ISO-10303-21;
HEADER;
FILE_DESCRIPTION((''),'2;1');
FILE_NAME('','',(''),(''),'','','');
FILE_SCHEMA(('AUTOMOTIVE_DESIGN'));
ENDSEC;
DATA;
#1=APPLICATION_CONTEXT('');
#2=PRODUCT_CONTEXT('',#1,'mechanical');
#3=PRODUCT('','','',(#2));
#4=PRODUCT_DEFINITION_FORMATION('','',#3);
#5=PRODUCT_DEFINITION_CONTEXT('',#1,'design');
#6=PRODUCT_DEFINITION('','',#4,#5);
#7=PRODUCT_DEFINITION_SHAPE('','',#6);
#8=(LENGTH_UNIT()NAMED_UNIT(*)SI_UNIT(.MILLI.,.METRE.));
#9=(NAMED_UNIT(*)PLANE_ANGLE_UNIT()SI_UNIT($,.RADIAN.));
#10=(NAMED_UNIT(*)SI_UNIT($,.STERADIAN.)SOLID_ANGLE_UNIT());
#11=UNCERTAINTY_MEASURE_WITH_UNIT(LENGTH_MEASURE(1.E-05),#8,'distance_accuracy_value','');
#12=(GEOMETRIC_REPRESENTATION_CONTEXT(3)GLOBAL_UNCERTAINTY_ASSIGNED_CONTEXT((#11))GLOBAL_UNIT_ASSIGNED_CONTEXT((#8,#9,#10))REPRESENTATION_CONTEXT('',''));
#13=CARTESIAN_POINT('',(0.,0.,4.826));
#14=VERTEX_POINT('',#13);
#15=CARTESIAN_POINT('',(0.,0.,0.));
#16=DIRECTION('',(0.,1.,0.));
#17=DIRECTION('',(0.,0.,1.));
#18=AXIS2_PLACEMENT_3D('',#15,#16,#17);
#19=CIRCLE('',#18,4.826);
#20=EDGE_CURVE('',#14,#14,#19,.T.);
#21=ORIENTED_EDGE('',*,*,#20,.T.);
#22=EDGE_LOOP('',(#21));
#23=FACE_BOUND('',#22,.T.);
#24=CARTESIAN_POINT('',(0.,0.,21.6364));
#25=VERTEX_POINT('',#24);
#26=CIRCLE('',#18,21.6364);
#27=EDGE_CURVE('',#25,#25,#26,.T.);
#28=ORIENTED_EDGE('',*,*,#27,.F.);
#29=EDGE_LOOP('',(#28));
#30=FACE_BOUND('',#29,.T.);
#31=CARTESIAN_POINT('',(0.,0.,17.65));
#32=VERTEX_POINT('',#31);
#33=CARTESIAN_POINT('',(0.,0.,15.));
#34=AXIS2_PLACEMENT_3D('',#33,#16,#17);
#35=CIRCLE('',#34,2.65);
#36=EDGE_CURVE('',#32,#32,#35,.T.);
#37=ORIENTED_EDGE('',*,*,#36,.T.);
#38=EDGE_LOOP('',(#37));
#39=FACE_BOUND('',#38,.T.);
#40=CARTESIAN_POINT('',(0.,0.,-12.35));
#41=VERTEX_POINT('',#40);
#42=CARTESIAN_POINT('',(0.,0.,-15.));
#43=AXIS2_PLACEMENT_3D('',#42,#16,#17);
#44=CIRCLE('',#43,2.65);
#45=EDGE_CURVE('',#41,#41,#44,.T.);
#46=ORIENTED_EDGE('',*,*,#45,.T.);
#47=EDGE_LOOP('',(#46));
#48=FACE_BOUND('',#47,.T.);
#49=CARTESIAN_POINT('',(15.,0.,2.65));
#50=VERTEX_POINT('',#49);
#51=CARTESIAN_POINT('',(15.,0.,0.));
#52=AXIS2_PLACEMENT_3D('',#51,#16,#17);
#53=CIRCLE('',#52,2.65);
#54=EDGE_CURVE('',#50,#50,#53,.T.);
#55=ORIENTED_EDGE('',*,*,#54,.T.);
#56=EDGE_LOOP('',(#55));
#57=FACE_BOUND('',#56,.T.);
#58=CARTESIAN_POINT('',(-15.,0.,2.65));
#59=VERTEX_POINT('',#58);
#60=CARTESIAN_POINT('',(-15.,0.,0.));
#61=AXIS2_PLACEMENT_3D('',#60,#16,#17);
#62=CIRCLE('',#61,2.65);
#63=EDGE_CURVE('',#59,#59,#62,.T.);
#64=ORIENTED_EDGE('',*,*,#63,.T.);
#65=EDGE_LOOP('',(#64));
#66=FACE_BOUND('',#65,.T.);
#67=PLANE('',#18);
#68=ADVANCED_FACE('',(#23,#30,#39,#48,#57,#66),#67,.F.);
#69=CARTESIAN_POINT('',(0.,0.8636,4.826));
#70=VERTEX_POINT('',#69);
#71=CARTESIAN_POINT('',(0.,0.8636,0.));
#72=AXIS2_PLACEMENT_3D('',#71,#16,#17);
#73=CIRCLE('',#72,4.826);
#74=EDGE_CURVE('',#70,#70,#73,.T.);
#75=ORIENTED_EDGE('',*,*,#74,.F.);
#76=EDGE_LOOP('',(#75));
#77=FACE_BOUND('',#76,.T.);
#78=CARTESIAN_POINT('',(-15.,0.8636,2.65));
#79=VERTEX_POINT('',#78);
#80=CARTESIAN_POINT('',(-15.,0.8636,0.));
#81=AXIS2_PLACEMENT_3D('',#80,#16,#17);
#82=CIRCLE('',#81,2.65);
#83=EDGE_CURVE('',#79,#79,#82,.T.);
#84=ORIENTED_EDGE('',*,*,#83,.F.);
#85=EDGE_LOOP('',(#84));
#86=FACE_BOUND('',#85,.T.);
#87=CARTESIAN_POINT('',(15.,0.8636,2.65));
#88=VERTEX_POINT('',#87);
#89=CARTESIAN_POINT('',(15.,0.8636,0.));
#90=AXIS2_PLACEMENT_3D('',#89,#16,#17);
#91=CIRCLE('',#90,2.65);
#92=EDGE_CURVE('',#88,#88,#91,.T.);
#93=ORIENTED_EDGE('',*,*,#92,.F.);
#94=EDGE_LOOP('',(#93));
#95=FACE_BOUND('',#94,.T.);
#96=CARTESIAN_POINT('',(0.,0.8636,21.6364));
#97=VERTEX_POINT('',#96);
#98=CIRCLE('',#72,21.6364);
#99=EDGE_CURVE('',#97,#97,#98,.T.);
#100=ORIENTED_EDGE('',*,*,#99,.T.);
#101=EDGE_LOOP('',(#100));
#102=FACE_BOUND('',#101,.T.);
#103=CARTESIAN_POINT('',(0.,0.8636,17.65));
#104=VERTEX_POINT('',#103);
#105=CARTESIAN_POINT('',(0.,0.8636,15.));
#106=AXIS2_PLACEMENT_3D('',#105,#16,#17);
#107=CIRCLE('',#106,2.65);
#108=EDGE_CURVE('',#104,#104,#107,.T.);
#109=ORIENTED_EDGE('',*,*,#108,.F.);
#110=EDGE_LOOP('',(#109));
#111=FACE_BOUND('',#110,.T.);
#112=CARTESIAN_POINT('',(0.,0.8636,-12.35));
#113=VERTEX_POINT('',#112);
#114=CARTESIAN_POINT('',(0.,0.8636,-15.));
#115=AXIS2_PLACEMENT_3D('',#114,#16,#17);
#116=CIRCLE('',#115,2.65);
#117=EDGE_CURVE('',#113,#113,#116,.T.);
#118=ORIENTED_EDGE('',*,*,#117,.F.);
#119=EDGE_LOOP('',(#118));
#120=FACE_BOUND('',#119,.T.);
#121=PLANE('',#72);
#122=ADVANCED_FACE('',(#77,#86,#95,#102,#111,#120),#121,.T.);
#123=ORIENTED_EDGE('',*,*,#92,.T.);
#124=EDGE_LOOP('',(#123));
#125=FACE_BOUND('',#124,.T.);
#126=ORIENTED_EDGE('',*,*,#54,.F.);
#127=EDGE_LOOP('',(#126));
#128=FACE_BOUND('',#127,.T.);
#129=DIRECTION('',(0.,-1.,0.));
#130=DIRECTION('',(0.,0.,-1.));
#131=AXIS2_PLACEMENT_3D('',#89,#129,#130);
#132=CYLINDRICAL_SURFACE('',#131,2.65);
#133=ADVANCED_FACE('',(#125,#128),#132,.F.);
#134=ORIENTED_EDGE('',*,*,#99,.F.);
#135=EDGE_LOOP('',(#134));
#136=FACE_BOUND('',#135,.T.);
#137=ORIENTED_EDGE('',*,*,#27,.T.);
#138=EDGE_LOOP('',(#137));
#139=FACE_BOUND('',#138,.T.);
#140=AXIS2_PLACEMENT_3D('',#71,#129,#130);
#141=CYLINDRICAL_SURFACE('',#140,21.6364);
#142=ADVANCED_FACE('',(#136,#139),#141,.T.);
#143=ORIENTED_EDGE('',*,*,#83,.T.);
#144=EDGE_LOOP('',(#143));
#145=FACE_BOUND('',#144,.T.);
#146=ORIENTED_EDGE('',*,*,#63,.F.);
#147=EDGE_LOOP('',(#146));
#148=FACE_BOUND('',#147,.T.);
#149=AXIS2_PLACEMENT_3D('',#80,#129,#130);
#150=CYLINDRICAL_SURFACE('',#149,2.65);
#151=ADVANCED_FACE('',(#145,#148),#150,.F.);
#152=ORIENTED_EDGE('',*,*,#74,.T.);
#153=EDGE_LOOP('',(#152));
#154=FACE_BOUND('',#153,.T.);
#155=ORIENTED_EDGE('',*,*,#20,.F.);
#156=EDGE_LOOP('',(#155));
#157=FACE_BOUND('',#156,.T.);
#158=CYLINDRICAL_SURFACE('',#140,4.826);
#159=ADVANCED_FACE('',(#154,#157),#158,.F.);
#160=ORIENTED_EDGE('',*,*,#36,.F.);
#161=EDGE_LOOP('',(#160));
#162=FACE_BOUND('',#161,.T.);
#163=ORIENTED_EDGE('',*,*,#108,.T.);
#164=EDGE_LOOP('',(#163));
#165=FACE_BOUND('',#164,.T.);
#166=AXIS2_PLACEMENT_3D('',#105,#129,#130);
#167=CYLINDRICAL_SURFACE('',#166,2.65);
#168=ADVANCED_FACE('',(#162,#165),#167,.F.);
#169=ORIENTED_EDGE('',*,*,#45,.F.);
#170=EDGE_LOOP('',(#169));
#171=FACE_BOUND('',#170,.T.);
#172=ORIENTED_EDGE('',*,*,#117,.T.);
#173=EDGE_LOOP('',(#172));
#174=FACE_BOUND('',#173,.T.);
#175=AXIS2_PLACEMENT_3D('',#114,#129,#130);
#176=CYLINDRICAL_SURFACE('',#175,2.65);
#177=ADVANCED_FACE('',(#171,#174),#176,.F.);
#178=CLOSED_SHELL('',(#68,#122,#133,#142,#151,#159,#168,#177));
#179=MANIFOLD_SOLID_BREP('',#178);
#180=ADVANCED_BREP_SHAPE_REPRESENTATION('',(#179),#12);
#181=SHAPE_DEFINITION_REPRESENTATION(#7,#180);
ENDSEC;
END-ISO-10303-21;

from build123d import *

# Parameters (mm, degrees)
SKETCH1_R           = 21.6364
SKETCH1_R_2         = 4.826
SKETCH1_R_3         = 2.65
BOSS_EXTRUDE1_DEPTH = 0.8636


with BuildPart() as part:
    # Sketch1 → Boss-Extrude1 (new body)
    with BuildSketch(Plane(origin=(0, 0, 0), x_dir=(1, 0, 0), z_dir=(0, 1, 0))):
        with Locations(Location((0, 0, 0), (0, 0, 270))):
            Circle(SKETCH1_R)
        with Locations(Location((0, 0, 0), (0, 0, 270))):
            Circle(SKETCH1_R_2, mode=Mode.SUBTRACT)
        with Locations(Location((0, 15, 0), (0, 0, 270))):
            Circle(SKETCH1_R_3, mode=Mode.SUBTRACT)
        with Locations(Location((15, 0, 0), (0, 0, 270))):
            Circle(SKETCH1_R_3, mode=Mode.SUBTRACT)
        with Locations(Location((0, -15, 0), (0, 0, 270))):
            Circle(SKETCH1_R_3, mode=Mode.SUBTRACT)
        with Locations(Location((-15, 0, 0), (0, 0, 270))):
            Circle(SKETCH1_R_3, mode=Mode.SUBTRACT)
    extrude(amount=BOSS_EXTRUDE1_DEPTH)


solid = part.part
